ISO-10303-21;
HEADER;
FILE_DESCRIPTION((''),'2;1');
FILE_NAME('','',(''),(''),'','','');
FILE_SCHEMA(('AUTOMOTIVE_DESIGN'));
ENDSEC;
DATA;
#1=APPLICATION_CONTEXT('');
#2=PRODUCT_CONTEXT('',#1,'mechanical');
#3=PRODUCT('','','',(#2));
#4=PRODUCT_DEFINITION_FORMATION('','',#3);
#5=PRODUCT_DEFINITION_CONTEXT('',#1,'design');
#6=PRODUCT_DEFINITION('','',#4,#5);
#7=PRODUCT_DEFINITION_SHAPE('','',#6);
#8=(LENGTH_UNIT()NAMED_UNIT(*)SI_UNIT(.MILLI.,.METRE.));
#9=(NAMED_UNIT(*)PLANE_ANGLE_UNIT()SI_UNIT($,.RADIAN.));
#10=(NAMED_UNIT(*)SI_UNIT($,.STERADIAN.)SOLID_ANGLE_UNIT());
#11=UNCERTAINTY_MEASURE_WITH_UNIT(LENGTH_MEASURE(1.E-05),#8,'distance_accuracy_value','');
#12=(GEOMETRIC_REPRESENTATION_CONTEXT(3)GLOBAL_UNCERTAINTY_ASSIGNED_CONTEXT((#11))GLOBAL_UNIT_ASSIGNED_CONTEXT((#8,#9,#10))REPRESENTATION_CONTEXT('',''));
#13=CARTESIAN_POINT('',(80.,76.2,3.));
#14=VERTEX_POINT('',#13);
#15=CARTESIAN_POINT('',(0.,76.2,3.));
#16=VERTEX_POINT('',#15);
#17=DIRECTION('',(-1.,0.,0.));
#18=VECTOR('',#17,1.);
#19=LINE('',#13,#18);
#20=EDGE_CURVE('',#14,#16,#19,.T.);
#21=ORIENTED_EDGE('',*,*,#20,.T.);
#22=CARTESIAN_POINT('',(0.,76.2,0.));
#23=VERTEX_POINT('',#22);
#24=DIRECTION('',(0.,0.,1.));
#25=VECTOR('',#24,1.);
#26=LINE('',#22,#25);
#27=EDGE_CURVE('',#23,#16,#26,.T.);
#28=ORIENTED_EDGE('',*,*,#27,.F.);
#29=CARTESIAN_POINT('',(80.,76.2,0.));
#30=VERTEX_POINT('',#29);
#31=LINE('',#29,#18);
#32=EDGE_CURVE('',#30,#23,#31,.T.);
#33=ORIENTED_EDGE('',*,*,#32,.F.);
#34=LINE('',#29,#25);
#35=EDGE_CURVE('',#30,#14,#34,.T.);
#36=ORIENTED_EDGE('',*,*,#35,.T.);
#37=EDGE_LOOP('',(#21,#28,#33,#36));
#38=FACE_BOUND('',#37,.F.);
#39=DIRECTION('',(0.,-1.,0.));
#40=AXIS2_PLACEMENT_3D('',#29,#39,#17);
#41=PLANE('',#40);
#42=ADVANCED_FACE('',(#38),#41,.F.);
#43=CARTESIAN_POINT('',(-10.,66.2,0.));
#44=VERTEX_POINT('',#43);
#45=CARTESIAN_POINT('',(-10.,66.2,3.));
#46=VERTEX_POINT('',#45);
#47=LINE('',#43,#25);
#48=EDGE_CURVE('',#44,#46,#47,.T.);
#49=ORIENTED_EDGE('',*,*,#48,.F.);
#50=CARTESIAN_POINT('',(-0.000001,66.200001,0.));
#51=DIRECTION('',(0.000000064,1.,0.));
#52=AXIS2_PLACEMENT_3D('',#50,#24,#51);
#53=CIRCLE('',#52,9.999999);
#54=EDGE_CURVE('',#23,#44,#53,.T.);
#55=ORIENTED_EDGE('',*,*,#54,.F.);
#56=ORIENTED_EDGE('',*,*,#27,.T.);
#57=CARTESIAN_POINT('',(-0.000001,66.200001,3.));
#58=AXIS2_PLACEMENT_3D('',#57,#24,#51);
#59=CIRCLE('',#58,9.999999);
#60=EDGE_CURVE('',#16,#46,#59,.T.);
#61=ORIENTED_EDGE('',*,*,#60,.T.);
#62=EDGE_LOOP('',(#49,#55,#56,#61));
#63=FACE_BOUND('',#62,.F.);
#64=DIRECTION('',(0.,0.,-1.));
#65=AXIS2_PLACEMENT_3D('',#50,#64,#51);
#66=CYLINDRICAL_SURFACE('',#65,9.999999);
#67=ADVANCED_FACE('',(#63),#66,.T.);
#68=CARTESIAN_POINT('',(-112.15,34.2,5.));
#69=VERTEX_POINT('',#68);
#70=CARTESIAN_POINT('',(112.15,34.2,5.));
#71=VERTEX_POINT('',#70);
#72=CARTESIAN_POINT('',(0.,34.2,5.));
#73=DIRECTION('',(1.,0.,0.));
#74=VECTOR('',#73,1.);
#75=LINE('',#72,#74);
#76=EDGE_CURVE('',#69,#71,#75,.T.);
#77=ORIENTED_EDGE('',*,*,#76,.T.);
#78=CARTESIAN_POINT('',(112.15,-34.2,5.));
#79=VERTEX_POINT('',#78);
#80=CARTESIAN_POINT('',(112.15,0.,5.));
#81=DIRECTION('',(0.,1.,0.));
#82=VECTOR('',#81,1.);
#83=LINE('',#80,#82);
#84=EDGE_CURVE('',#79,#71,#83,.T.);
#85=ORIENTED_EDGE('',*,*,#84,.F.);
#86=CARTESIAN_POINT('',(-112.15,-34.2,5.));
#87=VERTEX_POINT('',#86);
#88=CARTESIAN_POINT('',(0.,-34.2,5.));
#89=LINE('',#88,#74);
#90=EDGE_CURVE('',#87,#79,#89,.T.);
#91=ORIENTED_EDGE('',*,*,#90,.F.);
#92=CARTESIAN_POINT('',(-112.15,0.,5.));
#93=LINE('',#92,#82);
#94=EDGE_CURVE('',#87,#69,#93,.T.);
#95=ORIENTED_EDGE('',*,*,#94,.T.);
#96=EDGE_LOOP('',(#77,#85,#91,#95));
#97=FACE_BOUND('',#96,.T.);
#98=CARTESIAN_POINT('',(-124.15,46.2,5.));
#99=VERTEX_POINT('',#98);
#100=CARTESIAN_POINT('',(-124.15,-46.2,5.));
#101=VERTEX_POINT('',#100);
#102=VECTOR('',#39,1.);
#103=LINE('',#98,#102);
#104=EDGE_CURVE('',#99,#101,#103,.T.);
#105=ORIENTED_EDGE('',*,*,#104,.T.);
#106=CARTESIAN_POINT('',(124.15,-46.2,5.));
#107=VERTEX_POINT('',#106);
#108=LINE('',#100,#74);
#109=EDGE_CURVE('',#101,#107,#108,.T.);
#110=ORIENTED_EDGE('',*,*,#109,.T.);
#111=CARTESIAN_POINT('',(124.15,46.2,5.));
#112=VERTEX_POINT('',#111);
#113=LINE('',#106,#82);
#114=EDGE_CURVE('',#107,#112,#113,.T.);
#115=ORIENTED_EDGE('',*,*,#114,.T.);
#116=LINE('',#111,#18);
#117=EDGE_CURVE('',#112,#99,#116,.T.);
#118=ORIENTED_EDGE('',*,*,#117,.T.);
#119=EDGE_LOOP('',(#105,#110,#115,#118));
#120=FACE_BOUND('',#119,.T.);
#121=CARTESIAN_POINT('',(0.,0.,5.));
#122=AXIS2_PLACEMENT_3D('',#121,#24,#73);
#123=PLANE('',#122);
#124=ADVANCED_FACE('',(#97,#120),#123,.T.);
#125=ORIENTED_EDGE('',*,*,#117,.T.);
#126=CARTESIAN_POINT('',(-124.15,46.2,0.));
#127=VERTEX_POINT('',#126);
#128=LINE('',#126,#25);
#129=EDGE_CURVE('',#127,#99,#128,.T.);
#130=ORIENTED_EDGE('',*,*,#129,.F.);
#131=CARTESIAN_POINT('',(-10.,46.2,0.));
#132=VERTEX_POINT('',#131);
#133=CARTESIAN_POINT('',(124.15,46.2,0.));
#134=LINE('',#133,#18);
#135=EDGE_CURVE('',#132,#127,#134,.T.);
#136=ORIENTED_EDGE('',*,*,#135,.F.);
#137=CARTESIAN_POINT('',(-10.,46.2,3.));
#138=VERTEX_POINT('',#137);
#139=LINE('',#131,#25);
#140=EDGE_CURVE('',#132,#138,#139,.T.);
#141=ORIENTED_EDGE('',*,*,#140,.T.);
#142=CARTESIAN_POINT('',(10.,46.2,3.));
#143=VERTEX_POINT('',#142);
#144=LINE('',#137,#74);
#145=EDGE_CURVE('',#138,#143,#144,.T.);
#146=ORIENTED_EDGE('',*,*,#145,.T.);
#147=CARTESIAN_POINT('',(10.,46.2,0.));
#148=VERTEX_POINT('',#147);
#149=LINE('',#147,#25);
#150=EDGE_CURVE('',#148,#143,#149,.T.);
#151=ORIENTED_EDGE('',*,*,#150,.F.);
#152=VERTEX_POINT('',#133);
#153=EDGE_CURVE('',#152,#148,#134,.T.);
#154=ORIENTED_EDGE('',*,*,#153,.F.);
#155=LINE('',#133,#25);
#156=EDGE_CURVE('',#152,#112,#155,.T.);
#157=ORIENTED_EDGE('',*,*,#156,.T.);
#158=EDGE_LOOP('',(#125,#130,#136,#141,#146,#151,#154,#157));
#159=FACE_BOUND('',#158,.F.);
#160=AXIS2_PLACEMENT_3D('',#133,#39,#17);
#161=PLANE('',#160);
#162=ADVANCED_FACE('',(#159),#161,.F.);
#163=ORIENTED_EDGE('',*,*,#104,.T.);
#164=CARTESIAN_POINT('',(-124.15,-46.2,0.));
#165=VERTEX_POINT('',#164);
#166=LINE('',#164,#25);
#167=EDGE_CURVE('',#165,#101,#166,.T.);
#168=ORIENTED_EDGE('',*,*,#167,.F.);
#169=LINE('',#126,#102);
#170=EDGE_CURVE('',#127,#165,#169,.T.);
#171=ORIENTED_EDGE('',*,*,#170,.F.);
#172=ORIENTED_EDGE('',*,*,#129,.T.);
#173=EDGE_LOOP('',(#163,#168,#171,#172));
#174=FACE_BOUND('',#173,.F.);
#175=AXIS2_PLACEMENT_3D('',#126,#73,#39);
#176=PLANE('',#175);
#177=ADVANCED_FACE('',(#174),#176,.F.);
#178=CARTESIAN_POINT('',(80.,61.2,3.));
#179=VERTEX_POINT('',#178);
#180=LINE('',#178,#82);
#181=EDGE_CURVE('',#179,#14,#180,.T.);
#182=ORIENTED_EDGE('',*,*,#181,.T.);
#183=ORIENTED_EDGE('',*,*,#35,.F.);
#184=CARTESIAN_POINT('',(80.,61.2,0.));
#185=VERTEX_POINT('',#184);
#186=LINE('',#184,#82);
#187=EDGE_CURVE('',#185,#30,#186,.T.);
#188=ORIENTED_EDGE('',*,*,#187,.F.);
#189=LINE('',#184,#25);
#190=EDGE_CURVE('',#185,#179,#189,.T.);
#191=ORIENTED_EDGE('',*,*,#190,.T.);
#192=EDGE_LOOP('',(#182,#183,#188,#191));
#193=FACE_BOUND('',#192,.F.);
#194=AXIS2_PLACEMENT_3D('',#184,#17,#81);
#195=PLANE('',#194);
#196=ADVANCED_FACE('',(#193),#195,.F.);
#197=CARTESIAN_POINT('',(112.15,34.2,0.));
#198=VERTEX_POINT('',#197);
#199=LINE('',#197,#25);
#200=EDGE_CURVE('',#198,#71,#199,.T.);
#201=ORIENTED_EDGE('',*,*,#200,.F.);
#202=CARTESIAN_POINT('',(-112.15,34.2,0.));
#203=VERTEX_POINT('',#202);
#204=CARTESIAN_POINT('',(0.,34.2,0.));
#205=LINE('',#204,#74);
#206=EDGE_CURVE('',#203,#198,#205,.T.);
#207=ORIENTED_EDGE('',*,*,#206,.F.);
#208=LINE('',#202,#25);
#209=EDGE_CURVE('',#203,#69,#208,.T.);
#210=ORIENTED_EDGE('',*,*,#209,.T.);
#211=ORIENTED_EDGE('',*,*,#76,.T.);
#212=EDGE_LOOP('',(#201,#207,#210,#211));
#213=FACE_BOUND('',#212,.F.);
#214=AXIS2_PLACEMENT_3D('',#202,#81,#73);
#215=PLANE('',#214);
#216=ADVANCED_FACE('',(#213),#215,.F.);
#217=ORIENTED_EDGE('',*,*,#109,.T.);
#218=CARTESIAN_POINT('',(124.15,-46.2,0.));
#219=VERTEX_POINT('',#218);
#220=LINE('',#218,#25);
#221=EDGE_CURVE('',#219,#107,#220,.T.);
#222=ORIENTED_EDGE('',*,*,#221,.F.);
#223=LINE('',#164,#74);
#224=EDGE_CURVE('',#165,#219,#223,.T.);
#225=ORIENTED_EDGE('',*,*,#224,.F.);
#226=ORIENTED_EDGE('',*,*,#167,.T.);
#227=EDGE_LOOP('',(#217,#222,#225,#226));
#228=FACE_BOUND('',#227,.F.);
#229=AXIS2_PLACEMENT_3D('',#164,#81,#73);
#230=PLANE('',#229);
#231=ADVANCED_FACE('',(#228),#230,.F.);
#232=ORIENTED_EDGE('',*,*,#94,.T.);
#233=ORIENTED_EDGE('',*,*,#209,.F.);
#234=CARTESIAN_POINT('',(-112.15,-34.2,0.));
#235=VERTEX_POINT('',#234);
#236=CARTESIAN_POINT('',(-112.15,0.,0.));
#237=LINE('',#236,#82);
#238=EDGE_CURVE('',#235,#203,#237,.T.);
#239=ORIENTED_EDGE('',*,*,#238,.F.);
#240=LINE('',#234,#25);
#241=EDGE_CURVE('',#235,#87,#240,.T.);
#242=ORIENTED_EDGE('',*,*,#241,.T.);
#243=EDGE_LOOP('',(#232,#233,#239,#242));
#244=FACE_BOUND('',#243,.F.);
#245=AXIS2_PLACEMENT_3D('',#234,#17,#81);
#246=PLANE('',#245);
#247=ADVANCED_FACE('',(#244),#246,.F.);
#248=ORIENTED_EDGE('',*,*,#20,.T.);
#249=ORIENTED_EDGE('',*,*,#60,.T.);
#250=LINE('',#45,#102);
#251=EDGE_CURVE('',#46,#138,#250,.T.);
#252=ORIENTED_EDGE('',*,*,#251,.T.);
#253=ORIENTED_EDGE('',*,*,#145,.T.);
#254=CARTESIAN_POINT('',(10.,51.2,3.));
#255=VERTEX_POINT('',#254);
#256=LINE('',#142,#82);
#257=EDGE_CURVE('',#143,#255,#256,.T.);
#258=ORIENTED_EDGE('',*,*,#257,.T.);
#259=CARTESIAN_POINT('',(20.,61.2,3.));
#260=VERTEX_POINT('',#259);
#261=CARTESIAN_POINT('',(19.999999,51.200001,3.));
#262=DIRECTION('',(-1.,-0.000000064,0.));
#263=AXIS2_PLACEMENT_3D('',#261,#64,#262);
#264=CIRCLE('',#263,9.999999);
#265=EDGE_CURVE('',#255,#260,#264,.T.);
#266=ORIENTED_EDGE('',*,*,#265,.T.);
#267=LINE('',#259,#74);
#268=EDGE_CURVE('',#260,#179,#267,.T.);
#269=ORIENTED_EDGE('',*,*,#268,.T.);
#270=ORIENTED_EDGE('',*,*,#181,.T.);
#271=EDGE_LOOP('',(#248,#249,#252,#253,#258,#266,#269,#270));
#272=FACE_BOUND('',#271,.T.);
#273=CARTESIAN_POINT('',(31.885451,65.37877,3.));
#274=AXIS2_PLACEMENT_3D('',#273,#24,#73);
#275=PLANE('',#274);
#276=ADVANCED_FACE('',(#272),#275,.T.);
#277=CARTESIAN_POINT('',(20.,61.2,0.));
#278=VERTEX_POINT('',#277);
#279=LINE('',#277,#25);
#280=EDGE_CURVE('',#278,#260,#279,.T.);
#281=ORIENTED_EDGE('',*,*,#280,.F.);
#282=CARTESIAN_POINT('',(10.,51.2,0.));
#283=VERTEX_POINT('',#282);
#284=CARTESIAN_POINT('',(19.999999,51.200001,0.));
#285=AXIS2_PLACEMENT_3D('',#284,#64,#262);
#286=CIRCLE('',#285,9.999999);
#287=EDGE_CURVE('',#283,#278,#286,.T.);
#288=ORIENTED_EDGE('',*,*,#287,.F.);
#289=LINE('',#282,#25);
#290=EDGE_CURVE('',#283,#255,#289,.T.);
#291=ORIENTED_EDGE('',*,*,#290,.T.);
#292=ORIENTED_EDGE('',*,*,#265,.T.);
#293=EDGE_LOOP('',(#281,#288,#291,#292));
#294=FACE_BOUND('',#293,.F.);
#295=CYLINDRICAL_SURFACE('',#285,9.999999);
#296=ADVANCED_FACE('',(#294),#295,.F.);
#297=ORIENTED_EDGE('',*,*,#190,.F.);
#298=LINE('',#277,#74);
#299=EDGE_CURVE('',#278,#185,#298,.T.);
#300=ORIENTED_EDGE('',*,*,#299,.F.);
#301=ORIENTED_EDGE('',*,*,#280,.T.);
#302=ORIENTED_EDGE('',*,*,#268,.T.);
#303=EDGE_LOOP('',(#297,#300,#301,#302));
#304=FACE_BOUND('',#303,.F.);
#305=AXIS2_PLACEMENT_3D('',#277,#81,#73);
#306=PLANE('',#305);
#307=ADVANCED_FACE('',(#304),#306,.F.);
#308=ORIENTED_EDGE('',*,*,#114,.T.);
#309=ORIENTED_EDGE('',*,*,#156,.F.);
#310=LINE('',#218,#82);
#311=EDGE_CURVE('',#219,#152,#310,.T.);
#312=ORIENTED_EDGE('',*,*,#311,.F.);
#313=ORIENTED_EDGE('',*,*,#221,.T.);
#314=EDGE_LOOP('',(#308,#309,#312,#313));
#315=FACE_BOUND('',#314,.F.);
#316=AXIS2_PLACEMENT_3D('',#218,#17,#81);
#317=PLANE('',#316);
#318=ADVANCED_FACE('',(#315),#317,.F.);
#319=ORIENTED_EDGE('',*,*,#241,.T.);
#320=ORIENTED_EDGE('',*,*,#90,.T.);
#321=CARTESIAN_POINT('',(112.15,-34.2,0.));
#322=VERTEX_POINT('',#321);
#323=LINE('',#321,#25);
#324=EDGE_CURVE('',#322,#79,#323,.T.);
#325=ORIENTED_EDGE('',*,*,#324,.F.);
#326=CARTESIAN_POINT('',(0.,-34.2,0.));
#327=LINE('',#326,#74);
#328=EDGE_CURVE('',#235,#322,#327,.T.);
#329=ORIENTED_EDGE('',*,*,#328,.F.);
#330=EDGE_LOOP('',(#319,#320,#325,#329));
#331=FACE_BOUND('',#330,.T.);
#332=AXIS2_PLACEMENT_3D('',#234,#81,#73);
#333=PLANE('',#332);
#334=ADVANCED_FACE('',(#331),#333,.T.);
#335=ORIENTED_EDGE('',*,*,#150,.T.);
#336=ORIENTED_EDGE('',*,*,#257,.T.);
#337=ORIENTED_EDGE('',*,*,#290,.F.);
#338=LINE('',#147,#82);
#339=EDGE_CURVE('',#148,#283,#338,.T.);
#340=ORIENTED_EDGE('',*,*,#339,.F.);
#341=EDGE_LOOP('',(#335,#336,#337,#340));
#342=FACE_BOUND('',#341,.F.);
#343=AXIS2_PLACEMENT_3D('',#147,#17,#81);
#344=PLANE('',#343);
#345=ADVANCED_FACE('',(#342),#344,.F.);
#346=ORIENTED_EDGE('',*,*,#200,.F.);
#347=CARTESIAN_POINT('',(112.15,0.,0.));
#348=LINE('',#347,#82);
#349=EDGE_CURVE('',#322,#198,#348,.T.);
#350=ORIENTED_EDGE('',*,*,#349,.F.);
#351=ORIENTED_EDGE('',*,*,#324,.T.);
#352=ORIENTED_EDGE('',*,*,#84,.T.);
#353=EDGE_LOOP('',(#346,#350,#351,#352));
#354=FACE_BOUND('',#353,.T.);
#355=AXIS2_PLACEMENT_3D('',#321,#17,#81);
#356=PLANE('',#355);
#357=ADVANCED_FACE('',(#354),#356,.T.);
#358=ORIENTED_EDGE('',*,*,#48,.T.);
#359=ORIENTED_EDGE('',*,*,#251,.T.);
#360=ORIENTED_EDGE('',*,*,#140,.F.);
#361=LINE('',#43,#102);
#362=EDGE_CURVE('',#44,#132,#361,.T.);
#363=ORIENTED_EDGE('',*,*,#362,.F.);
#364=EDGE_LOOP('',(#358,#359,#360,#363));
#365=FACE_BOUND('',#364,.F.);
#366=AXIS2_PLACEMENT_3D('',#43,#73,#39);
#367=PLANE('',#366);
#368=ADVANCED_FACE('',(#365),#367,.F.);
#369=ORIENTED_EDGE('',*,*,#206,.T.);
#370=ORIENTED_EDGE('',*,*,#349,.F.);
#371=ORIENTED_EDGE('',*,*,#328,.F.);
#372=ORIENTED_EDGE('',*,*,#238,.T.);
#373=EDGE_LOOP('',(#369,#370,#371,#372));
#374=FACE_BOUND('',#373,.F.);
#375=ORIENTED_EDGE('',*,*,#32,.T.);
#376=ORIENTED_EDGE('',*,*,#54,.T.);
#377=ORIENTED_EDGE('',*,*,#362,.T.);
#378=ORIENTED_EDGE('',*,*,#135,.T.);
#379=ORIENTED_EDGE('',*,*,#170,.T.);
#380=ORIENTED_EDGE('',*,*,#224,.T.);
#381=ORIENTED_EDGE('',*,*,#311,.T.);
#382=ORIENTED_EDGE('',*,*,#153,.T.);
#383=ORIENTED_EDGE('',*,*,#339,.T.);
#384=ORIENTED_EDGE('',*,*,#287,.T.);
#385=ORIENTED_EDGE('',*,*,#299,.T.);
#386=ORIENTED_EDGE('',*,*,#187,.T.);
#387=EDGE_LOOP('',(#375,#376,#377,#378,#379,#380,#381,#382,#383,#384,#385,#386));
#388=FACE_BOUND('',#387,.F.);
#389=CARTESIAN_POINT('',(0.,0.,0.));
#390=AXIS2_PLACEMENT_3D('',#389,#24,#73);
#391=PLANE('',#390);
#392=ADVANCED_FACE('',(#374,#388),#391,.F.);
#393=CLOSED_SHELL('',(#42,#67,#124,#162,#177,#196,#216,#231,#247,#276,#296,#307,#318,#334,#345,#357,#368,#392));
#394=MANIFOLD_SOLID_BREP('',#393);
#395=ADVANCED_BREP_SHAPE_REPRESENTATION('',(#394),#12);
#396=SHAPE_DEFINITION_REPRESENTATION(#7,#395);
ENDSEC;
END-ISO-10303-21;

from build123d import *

# Parameters (mm, degrees)
F0_W     = 224.3
F0_H     = 68.4
F1_DEPTH = 5
F2_DEPTH = 3


with BuildPart() as f1:
    # F0 (on Top) → F1 (new body)
    with BuildSketch(Plane.XY):
        Polygon((124.15, -46.2), (124.15, 46.2), (10, 46.2), (-10, 46.2), (-124.15, 46.2), (-124.15, -46.2), align=None)
        Rectangle(F0_W, F0_H, mode=Mode.SUBTRACT)
    extrude(amount=F1_DEPTH)

    # F0 (on Top) → F2 (join)
    with BuildSketch(Plane.XY):
        with BuildLine():
            Line((-10, 46.2), (10, 46.2))
            Line((10, 46.2), (10, 51.2))
            ThreePointArc((10, 51.2), (12.928932, 58.271068), (20, 61.2))
            Line((20, 61.2), (80, 61.2))
            Line((80, 61.2), (80, 76.2))
            Line((80, 76.2), (10, 76.2))
            Line((10, 76.2), (0, 76.2))
            ThreePointArc((0, 76.2), (-7.071068, 73.271068), (-10, 66.2))
            Line((-10, 66.2), (-10, 46.2))
        make_face()
    extrude(amount=F2_DEPTH)


solid = f1.part
